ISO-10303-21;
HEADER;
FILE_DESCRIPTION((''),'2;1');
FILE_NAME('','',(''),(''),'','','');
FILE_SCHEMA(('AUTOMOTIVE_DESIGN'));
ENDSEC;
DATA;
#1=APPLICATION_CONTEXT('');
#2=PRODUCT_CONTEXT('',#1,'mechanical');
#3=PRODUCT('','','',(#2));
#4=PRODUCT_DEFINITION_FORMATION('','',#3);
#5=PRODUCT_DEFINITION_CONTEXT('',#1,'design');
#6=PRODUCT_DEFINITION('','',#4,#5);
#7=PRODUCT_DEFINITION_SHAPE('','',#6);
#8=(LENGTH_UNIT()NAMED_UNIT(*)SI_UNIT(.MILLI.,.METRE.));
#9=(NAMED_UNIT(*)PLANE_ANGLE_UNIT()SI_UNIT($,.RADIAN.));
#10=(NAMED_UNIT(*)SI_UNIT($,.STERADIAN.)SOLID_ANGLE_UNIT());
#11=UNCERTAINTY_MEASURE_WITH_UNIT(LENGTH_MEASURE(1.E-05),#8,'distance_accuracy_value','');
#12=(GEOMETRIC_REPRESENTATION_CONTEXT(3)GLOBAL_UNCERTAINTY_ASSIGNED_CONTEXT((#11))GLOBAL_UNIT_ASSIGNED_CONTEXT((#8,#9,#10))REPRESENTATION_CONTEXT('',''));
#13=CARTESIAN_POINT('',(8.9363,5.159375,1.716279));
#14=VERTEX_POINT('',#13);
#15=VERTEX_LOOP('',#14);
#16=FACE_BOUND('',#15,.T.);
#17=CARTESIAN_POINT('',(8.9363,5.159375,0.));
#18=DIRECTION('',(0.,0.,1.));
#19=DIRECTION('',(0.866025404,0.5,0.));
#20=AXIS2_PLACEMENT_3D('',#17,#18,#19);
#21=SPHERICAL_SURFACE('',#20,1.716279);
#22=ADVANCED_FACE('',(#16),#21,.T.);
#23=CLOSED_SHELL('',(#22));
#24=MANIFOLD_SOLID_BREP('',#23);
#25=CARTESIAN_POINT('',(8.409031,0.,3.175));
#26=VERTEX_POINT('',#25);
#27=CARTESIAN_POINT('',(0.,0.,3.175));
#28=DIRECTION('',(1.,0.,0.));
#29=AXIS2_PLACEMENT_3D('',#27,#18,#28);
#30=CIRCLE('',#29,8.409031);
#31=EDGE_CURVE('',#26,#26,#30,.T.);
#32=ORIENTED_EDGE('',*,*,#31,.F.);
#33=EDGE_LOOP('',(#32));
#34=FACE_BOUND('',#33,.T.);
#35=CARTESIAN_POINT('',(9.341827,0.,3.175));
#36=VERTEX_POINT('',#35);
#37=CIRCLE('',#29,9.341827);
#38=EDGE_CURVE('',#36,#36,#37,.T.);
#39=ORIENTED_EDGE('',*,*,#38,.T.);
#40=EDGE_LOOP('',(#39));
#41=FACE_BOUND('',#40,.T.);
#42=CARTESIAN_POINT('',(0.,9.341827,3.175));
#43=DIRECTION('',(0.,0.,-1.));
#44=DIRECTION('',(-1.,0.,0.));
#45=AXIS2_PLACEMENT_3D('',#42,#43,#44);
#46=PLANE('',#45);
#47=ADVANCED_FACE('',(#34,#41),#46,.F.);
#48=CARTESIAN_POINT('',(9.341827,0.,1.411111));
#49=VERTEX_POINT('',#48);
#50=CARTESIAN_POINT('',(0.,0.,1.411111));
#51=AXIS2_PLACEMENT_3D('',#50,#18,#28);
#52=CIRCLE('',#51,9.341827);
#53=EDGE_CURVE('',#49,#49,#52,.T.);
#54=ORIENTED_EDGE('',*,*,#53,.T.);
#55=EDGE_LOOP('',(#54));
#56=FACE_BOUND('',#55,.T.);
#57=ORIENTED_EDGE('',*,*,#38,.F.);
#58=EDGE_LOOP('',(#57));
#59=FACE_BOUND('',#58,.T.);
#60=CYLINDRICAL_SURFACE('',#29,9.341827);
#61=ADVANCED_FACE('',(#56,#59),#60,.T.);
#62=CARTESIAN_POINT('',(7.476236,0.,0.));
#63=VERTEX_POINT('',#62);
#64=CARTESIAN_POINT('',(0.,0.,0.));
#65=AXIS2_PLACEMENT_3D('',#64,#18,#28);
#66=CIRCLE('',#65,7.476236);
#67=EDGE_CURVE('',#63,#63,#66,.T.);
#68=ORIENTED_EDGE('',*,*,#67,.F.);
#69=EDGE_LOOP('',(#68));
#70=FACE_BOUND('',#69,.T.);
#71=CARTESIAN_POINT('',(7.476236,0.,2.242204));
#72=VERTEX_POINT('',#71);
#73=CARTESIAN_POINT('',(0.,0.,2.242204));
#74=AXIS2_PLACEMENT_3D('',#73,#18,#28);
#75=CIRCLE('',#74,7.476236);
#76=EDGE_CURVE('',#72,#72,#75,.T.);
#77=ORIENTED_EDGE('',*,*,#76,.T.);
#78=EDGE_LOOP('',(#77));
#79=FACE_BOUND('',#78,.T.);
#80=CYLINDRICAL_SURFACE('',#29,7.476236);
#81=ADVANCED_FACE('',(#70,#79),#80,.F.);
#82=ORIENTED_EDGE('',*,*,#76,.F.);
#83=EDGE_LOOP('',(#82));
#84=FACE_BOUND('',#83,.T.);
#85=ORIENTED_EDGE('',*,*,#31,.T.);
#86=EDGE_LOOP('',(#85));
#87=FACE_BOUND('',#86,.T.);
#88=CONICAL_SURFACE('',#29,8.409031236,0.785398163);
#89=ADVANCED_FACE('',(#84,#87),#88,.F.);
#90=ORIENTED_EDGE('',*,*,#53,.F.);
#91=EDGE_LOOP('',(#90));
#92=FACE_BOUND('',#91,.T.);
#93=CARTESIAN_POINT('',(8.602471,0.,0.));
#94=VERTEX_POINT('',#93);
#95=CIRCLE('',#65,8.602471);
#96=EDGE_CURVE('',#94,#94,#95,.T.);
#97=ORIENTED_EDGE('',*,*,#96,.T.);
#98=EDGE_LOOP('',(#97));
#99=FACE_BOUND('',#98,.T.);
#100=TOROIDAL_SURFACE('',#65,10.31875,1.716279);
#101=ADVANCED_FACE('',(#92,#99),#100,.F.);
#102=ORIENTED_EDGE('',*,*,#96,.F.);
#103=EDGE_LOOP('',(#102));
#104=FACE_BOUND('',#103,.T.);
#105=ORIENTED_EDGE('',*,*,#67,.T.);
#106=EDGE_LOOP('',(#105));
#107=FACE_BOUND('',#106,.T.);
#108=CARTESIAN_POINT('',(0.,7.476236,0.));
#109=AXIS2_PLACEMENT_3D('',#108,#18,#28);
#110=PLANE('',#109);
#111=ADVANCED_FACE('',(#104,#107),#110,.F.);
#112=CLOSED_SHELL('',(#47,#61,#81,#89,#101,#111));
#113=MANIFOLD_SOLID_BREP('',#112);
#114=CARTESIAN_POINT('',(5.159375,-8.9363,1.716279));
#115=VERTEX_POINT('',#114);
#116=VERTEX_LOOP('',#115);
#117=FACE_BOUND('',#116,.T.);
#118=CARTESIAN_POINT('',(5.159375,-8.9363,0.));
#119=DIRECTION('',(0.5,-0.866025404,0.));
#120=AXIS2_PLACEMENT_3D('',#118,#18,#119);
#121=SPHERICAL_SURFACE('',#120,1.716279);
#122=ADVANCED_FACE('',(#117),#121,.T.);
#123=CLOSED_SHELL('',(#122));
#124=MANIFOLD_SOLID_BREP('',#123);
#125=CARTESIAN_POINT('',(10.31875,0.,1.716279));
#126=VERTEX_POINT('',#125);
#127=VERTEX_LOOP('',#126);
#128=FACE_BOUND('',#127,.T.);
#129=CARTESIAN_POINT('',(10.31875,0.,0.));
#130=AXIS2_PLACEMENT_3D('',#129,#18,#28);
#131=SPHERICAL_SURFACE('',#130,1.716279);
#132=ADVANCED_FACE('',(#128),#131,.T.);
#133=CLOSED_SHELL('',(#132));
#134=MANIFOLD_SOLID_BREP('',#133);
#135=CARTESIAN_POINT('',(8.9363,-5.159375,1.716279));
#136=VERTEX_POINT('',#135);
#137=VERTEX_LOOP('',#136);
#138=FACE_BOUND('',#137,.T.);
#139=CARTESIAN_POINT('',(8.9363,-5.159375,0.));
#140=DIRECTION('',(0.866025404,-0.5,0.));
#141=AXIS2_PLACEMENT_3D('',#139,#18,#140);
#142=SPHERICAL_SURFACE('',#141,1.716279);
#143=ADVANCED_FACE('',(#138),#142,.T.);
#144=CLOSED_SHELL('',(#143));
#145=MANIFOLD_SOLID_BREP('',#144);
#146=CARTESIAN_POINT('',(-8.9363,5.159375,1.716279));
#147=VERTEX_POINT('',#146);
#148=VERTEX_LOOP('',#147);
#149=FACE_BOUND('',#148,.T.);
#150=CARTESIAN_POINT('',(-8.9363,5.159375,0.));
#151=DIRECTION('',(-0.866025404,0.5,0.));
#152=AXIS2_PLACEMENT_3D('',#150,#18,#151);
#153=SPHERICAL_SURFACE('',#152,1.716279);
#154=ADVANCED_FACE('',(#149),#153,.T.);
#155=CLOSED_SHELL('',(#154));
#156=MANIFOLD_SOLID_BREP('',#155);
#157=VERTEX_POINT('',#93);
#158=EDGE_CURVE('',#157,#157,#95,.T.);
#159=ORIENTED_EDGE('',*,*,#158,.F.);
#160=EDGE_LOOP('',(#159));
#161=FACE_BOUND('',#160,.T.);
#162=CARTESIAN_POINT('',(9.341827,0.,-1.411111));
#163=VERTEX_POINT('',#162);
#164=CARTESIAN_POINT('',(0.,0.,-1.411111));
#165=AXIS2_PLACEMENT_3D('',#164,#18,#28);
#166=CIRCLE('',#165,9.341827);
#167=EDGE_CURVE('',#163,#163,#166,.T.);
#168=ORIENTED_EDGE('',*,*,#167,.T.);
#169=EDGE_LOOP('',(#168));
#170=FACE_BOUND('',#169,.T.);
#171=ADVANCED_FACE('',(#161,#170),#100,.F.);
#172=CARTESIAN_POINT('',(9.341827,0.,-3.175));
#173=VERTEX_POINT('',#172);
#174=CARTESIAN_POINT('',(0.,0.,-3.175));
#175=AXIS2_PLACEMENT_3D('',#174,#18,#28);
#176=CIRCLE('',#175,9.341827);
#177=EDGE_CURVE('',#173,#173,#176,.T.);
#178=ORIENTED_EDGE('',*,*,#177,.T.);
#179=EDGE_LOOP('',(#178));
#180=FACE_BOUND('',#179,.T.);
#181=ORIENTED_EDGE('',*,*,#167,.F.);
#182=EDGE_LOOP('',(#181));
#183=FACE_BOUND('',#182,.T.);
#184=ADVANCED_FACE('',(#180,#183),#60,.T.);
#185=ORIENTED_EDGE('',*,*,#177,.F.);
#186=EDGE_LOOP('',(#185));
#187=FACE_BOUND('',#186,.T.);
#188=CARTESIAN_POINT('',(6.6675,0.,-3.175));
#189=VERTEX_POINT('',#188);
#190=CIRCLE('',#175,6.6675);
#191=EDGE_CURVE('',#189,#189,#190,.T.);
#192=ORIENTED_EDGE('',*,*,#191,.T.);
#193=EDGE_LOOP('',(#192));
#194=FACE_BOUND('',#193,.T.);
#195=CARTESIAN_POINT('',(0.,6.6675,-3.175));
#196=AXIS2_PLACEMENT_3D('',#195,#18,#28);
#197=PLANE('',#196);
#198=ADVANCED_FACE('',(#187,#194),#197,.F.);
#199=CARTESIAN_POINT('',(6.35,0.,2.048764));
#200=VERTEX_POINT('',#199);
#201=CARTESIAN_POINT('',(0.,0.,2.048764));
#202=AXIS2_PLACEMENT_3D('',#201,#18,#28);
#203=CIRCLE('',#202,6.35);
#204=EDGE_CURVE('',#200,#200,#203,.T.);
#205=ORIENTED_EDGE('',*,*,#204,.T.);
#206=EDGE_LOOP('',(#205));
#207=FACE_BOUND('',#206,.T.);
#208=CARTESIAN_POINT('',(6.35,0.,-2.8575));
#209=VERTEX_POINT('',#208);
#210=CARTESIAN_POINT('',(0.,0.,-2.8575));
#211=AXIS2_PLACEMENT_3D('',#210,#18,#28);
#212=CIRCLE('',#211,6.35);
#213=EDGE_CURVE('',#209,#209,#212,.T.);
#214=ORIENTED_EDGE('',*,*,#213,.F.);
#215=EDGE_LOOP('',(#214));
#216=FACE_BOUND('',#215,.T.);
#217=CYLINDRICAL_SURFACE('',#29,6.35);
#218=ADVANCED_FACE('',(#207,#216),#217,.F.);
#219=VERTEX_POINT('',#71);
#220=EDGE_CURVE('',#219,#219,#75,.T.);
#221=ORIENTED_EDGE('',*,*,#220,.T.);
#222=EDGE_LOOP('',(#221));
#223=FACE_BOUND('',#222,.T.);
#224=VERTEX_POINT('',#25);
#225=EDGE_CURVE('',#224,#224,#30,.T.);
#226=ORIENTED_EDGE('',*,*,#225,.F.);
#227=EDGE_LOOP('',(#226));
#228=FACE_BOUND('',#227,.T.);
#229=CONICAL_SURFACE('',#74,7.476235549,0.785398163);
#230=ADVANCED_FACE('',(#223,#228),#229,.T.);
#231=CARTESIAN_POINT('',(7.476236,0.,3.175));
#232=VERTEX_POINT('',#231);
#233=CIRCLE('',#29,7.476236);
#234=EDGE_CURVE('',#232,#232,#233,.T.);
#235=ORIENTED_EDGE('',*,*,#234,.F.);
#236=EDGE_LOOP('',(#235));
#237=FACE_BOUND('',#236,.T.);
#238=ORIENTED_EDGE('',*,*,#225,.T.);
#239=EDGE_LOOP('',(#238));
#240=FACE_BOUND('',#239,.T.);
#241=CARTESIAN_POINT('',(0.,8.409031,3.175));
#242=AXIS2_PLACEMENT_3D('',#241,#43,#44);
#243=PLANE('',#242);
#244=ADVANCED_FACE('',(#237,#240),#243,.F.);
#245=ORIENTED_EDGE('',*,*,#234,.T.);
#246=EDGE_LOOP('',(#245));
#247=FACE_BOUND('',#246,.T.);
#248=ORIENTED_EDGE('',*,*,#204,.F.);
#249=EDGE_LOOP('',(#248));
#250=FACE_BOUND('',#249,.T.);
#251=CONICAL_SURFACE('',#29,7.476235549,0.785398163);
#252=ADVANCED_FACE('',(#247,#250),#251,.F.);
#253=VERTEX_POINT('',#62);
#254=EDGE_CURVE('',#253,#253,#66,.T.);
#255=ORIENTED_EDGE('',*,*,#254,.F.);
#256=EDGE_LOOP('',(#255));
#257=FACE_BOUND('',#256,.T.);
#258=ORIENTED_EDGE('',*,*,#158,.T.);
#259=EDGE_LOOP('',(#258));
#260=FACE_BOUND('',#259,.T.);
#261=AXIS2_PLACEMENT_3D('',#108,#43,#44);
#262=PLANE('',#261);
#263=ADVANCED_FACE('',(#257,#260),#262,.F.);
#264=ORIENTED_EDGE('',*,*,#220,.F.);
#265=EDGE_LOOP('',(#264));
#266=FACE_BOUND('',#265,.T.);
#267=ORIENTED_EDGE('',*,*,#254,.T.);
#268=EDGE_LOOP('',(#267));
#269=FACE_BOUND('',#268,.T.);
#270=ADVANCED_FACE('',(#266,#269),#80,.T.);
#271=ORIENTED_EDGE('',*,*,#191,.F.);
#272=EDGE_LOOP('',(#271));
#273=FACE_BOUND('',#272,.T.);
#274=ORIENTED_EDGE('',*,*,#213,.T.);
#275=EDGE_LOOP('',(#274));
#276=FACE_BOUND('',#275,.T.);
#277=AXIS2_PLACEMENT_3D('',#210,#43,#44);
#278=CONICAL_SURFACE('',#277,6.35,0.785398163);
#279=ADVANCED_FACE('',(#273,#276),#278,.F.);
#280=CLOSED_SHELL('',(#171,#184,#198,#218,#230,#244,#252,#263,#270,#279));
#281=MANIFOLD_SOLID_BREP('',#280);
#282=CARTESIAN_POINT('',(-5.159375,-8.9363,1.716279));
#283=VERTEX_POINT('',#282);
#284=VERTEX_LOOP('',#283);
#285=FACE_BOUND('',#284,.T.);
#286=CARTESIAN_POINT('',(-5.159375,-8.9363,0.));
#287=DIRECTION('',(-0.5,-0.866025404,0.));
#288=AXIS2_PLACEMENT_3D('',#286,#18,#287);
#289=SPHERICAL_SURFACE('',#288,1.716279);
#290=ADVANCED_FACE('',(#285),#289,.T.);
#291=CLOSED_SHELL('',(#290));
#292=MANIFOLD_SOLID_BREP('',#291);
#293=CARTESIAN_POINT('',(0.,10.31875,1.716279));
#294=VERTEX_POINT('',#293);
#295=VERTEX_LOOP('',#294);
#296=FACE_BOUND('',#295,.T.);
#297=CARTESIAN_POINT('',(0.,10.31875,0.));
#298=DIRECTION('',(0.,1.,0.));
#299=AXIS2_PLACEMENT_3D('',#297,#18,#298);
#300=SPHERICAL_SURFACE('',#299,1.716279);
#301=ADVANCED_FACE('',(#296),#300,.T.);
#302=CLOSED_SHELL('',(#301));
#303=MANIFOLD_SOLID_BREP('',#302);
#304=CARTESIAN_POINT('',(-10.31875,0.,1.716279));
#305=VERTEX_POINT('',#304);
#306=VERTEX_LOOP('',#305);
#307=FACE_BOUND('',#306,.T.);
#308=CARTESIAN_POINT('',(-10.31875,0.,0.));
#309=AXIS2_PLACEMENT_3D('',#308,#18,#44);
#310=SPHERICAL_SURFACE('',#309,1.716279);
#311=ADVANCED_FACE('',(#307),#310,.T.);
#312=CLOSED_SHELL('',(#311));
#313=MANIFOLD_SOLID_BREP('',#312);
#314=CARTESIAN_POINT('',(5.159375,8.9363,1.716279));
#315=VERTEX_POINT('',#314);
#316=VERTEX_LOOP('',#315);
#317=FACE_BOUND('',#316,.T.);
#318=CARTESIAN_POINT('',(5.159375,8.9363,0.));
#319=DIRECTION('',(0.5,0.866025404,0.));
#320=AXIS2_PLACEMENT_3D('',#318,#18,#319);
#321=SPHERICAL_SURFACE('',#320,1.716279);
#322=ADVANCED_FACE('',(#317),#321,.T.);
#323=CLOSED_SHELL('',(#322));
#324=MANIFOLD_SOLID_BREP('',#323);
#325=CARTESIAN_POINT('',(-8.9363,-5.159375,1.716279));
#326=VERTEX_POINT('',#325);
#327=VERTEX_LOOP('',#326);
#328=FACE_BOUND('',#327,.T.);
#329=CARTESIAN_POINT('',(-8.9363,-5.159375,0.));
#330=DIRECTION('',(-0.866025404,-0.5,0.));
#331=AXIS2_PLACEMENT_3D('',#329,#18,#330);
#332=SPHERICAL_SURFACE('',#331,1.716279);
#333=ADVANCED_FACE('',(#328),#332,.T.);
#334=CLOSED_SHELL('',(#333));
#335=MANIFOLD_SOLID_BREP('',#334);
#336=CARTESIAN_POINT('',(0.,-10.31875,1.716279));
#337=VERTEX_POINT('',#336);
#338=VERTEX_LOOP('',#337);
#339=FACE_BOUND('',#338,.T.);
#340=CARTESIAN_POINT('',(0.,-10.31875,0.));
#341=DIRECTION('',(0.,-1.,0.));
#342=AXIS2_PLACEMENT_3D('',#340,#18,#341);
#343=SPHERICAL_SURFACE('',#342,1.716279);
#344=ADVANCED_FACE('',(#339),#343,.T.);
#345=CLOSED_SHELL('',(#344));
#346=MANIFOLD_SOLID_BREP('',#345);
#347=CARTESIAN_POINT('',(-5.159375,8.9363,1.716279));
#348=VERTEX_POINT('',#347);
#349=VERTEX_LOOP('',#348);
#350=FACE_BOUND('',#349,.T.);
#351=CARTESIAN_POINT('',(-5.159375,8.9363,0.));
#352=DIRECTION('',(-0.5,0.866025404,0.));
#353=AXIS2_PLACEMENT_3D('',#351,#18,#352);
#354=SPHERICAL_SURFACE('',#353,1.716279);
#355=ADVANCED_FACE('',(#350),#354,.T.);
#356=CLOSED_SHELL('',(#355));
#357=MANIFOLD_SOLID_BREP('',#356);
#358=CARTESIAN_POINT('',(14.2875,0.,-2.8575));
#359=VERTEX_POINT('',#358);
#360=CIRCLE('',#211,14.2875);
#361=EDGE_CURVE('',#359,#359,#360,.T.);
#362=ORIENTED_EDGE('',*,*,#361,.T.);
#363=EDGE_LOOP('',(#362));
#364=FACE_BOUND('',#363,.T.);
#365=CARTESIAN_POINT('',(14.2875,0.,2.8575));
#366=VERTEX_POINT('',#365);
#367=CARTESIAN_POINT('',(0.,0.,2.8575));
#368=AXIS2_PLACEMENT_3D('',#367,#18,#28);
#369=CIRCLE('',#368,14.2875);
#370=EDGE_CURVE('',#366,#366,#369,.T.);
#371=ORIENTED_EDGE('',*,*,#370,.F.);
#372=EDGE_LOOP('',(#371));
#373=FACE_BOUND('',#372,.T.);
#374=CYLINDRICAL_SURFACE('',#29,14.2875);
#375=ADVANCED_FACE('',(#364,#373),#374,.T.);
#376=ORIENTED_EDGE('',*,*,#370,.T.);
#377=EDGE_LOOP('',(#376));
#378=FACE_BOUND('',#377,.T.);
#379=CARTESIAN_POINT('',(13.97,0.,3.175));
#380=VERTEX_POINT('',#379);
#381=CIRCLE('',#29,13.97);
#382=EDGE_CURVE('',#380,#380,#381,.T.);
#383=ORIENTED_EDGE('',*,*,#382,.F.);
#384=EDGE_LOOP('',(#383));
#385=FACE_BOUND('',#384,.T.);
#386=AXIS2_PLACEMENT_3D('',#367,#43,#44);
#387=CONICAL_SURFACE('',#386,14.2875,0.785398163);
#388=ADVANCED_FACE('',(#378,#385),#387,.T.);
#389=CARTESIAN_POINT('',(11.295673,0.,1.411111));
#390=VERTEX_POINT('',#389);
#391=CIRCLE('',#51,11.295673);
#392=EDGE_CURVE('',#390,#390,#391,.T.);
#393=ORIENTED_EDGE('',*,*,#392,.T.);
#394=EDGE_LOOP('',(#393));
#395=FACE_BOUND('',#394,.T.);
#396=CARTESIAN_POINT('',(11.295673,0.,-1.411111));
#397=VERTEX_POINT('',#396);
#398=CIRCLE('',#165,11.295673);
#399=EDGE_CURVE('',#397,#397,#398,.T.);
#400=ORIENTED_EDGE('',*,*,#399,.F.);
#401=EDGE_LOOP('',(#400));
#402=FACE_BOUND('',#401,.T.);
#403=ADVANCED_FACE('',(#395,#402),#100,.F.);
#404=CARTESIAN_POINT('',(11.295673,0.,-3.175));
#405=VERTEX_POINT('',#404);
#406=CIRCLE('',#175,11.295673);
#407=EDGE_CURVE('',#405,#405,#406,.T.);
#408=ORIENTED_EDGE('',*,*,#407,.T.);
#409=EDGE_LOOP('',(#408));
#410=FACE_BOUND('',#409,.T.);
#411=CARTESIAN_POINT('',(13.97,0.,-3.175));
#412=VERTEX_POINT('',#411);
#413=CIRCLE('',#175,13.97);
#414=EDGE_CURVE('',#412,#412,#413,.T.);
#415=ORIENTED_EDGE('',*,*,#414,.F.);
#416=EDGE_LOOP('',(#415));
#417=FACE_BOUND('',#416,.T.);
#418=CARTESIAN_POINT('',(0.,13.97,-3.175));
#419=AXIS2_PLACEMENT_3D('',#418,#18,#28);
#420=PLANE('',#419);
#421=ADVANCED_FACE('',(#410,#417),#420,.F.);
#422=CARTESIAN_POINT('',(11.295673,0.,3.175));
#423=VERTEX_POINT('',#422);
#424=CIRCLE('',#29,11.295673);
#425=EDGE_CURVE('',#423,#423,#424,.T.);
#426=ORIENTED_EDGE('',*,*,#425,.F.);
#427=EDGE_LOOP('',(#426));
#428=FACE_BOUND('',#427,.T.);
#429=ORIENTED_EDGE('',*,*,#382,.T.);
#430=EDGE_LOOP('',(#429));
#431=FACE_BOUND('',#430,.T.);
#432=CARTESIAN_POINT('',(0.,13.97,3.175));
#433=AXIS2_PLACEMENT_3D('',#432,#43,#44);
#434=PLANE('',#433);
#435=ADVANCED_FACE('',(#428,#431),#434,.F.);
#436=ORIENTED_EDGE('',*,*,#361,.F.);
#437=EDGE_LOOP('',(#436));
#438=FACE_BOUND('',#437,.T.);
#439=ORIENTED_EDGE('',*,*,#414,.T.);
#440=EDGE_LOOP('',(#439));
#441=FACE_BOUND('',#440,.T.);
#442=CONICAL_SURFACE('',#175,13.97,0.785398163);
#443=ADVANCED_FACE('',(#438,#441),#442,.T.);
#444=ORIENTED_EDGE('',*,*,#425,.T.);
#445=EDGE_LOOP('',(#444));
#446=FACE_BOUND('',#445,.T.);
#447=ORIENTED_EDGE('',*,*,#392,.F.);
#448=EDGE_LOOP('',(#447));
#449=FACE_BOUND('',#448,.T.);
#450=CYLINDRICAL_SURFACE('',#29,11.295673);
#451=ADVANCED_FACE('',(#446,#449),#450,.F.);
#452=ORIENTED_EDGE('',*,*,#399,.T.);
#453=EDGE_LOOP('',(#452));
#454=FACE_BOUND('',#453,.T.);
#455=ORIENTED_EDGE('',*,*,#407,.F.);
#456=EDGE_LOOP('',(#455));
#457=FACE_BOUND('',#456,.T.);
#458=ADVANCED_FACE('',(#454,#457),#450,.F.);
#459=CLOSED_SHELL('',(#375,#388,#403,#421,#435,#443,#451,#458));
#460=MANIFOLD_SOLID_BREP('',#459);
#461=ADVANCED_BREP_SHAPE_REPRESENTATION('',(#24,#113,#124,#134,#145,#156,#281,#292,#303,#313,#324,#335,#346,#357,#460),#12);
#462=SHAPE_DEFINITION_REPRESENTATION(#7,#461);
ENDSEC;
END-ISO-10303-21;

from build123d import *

# Parameters (mm, degrees)
CIRPATTERN1_COUNT = 12


with BuildPart() as part:
    # Sketch1 → Revolve1 (revolve)
    with BuildSketch(Plane(origin=(0, 0, 0), x_dir=(0, 0, -1), z_dir=(1, 0, 0))):
        with BuildLine():
            Line((2.8575, 14.2875), (-2.8575, 14.2875))
            Line((-2.8575, 14.2875), (-3.175, 13.97))
            Line((-3.175, 13.97), (-3.175, 11.295673077))
            Line((-3.175, 11.295673077), (-1.411111111, 11.295673077))
            ThreePointArc((-1.411111111, 11.295673077), (0, 12.035028901), (1.411111111, 11.295673077))
            Line((1.411111111, 11.295673077), (3.175, 11.295673077))
            Line((3.175, 11.295673077), (3.175, 13.97))
            Line((3.175, 13.97), (2.8575, 14.2875))
        make_face()
    revolve(axis=Axis((0, 0, 3.175), (0, 0, -1)))


with BuildPart() as body_2:
    # Sketch2 → Revolve2 (revolve)
    with BuildSketch(Plane(origin=(0, 0, 0), x_dir=(0, 0, -1), z_dir=(1, 0, 0))):
        with BuildLine():
            Line((-3.175, 9.341826923), (-1.411111111, 9.341826923))
            ThreePointArc((-1.411111111, 9.341826923), (-0.796536503, 8.798505656), (0, 8.602471099))
            Line((0, 8.602471099), (0, 7.476235549))
            Line((0, 7.476235549), (-2.242204313, 7.476235549))
            Line((-2.242204313, 7.476235549), (-3.175, 8.409031236))
            Line((-3.175, 8.409031236), (-3.175, 9.341826923))
        make_face()
    revolve(axis=Axis((0, 0, 3.175), (0, 0, -1)))


with BuildPart() as body_3:
    # Sketch3 → Revolve3 (revolve)
    with BuildSketch(Plane(origin=(0, 0, 0), x_dir=(0, 0, -1), z_dir=(1, 0, 0))):
        with BuildLine():
            Line((-3.175, 8.409031236), (-2.242204313, 7.476235549))
            Line((-2.242204313, 7.476235549), (0, 7.476235549))
            Line((0, 7.476235549), (0, 8.602471099))
            ThreePointArc((0, 8.602471099), (0.796536503, 8.798505656), (1.411111111, 9.341826923))
            Line((1.411111111, 9.341826923), (3.175, 9.341826923))
            Line((3.175, 9.341826923), (3.175, 6.6675))
            Line((3.175, 6.6675), (2.8575, 6.35))
            Line((2.8575, 6.35), (-2.048764451, 6.35))
            Line((-2.048764451, 6.35), (-3.175, 7.476235549))
            Line((-3.175, 7.476235549), (-3.175, 8.409031236))
        make_face()
    revolve(axis=Axis((0, 0, 3.175), (0, 0, -1)))


with BuildPart() as body_4:
    # Sketch4 → Revolve4 (revolve)
    with BuildSketch(Plane(origin=(0, 0, 0), x_dir=(0, 0, -1), z_dir=(1, 0, 0))):
        with BuildLine():
            Line((-1.716278901, 10.31875), (1.716278901, 10.31875))
            ThreePointArc((1.716278901, 10.31875), (0, 12.035028901), (-1.716278901, 10.31875))
        make_face()
    revolve(axis=Axis((0, 10.31875, 1.716278901), (0, 0, -1)))


with BuildPart() as cirpattern1_1:
    # CirPattern1: pattern copy
    add(body_4.part.rotate(Axis((0, 0, -3.175), (0, 0, 1)), 1 * 360 / CIRPATTERN1_COUNT))


with BuildPart() as cirpattern1_2:
    # CirPattern1: pattern copy
    add(body_4.part.rotate(Axis((0, 0, -3.175), (0, 0, 1)), 2 * 360 / CIRPATTERN1_COUNT))


with BuildPart() as cirpattern1_3:
    # CirPattern1: pattern copy
    add(body_4.part.rotate(Axis((0, 0, -3.175), (0, 0, 1)), 3 * 360 / CIRPATTERN1_COUNT))


with BuildPart() as cirpattern1_4:
    # CirPattern1: pattern copy
    add(body_4.part.rotate(Axis((0, 0, -3.175), (0, 0, 1)), 4 * 360 / CIRPATTERN1_COUNT))


with BuildPart() as cirpattern1_5:
    # CirPattern1: pattern copy
    add(body_4.part.rotate(Axis((0, 0, -3.175), (0, 0, 1)), 5 * 360 / CIRPATTERN1_COUNT))


with BuildPart() as cirpattern1_6:
    # CirPattern1: pattern copy
    add(body_4.part.rotate(Axis((0, 0, -3.175), (0, 0, 1)), 6 * 360 / CIRPATTERN1_COUNT))


with BuildPart() as cirpattern1_7:
    # CirPattern1: pattern copy
    add(body_4.part.rotate(Axis((0, 0, -3.175), (0, 0, 1)), 7 * 360 / CIRPATTERN1_COUNT))


with BuildPart() as cirpattern1_8:
    # CirPattern1: pattern copy
    add(body_4.part.rotate(Axis((0, 0, -3.175), (0, 0, 1)), 8 * 360 / CIRPATTERN1_COUNT))


with BuildPart() as cirpattern1_9:
    # CirPattern1: pattern copy
    add(body_4.part.rotate(Axis((0, 0, -3.175), (0, 0, 1)), 9 * 360 / CIRPATTERN1_COUNT))


with BuildPart() as cirpattern1_10:
    # CirPattern1: pattern copy
    add(body_4.part.rotate(Axis((0, 0, -3.175), (0, 0, 1)), 10 * 360 / CIRPATTERN1_COUNT))


with BuildPart() as cirpattern1_11:
    # CirPattern1: pattern copy
    add(body_4.part.rotate(Axis((0, 0, -3.175), (0, 0, 1)), 11 * 360 / CIRPATTERN1_COUNT))


solid = Compound([part.part, body_2.part, body_3.part, body_4.part, cirpattern1_1.part, cirpattern1_2.part, cirpattern1_3.part, cirpattern1_4.part, cirpattern1_5.part, cirpattern1_6.part, cirpattern1_7.part, cirpattern1_8.part, cirpattern1_9.part, cirpattern1_10.part, cirpattern1_11.part])
